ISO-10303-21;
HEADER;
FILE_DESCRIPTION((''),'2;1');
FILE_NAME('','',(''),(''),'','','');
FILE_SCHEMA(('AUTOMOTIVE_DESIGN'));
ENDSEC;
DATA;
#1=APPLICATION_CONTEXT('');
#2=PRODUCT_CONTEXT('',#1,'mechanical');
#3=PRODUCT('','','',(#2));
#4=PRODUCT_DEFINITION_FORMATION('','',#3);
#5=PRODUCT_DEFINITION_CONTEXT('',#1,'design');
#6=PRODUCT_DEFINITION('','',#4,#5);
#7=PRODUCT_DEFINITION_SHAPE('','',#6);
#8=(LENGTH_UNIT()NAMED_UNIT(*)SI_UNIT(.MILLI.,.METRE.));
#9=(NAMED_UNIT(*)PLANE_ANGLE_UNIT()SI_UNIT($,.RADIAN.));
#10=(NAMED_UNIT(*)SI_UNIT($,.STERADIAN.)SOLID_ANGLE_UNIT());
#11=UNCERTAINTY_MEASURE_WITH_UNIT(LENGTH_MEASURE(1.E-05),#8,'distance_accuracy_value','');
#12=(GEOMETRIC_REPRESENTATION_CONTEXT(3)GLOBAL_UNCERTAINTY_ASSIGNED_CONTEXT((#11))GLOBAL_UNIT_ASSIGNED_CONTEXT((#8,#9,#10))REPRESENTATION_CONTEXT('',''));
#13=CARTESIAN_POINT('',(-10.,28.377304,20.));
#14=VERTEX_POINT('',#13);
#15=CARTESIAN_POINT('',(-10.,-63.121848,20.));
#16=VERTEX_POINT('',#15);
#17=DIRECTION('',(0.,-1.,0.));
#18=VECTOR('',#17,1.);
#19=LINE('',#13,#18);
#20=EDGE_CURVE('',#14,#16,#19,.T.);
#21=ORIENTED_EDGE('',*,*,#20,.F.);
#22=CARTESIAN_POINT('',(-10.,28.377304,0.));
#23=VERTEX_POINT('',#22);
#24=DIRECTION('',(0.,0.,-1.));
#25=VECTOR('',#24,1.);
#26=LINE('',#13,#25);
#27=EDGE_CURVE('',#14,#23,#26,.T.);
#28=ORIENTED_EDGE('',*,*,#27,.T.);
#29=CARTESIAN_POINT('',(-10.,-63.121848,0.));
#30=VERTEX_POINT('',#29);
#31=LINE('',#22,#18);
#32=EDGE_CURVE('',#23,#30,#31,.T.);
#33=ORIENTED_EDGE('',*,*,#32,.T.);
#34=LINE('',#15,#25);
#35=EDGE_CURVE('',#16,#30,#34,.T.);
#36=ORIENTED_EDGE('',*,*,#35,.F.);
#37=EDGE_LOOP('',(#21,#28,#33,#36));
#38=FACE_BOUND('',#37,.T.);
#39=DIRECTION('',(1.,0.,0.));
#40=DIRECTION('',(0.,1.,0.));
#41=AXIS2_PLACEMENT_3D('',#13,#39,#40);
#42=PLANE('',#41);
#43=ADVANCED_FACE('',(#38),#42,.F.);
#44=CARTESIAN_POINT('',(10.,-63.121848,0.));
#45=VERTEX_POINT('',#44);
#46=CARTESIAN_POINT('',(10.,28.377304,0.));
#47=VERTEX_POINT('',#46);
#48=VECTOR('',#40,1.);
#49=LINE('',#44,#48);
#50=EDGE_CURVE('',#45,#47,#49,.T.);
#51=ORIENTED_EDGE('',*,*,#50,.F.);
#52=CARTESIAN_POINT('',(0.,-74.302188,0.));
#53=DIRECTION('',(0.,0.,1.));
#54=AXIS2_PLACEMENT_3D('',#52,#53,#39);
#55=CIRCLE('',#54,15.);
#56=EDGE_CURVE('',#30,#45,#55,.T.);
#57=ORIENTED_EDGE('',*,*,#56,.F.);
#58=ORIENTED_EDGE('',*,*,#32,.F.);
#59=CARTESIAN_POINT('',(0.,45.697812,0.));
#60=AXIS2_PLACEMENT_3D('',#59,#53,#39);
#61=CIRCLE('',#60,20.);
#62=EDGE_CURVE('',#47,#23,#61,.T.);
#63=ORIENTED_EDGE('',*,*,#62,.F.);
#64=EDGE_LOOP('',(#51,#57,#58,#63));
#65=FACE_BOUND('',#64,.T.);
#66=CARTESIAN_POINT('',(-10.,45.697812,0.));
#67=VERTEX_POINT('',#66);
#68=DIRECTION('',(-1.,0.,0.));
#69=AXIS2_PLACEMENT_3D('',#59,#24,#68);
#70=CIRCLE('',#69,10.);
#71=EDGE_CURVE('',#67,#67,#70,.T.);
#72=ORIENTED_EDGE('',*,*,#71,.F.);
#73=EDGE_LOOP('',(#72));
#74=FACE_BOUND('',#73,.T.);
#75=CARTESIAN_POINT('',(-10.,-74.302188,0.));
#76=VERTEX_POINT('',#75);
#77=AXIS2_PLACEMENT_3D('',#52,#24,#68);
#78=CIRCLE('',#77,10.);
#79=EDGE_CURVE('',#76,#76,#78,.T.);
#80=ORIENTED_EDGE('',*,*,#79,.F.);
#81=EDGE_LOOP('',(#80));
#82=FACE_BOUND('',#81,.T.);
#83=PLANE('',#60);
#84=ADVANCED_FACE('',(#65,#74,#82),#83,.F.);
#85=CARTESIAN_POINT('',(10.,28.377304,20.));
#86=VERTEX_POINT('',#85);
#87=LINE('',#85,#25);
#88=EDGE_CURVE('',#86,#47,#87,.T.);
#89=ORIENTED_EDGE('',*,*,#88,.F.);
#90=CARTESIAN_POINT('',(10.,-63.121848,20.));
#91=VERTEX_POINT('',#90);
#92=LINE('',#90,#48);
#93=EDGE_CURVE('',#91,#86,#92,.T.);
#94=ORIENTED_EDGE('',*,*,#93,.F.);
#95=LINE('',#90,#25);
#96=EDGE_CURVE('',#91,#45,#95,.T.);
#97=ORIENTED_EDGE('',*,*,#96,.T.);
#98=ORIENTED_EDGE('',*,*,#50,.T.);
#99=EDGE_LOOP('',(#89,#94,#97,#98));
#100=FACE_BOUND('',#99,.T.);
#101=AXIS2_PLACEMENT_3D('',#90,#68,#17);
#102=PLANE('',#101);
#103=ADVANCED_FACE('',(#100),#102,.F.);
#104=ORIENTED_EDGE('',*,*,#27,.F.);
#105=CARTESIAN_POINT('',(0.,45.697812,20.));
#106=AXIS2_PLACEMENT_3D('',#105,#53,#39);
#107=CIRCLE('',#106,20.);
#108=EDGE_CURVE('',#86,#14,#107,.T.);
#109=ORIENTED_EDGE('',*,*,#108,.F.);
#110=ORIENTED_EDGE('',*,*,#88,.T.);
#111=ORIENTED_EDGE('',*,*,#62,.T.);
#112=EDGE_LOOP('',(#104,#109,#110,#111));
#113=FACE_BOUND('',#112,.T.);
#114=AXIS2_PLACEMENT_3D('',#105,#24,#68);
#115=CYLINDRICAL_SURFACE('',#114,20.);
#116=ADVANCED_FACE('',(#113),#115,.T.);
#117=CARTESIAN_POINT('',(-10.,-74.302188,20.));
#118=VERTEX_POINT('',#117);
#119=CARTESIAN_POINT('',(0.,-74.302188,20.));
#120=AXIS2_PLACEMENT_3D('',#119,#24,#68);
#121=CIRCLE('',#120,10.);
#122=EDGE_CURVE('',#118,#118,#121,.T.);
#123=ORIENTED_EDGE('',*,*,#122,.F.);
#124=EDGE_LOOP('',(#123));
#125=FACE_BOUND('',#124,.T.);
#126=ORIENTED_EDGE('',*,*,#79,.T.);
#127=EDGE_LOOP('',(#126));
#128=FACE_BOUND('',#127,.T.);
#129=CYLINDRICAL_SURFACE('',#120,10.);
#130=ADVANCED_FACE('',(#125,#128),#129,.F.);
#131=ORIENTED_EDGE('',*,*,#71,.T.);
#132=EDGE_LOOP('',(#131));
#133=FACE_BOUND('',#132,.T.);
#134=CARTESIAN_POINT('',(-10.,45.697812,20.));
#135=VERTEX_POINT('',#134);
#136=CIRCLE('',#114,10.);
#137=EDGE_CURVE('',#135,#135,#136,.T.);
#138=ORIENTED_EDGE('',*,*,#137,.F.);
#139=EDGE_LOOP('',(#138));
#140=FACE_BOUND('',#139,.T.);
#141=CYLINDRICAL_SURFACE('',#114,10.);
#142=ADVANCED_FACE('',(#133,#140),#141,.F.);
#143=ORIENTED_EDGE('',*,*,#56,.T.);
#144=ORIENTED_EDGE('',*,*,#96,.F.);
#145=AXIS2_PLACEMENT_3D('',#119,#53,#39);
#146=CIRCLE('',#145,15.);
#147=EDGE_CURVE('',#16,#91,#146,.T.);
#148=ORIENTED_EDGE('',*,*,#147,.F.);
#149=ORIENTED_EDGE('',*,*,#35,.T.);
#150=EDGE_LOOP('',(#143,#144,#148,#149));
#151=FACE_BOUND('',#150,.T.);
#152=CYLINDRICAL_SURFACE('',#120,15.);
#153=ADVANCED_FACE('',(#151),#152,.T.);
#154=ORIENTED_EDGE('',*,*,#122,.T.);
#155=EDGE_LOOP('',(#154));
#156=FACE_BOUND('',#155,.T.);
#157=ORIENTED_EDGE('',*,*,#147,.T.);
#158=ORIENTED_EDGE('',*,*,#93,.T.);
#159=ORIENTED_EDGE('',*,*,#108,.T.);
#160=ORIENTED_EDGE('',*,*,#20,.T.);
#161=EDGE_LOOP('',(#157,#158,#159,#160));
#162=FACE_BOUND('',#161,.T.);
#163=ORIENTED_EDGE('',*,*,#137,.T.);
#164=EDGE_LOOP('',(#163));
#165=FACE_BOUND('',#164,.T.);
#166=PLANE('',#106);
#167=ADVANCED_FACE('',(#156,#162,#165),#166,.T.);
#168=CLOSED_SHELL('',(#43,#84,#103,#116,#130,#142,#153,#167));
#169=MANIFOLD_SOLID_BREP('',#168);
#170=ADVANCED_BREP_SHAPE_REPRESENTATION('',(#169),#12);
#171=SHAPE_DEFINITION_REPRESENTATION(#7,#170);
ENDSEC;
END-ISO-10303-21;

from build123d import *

# Parameters (mm, degrees)
BOSS_EXTRUDE1_DEPTH = 20
SKETCH2_R           = 10
CUT_EXTRUDE3_DEPTH  = 20


with BuildPart() as part:
    # Sketch1 → Boss-Extrude1 (new body)
    with BuildSketch(Plane.XY):
        with BuildLine():
            Line((10, -63.12184827), (10, 28.377303767))
            ThreePointArc((10, 28.377303767), (0, 65.697811843), (-10, 28.377303767))
            Line((-10, 28.377303767), (-10, -63.12184827))
            ThreePointArc((-10, -63.12184827), (0, -89.302188157), (10, -63.12184827))
        make_face()
    extrude(amount=BOSS_EXTRUDE1_DEPTH)

    # Sketch2 → Cut-Extrude3 (cut)
    with BuildSketch(Plane(origin=(0, 0, 0), x_dir=(-1, 0, 0), z_dir=(0, 0, -1))):
        with Locations((0, 45.697811843)):
            Circle(SKETCH2_R)
        with Locations((0, -74.302188157)):
            Circle(SKETCH2_R)
    extrude(amount=-CUT_EXTRUDE3_DEPTH, mode=Mode.SUBTRACT)


solid = part.part
